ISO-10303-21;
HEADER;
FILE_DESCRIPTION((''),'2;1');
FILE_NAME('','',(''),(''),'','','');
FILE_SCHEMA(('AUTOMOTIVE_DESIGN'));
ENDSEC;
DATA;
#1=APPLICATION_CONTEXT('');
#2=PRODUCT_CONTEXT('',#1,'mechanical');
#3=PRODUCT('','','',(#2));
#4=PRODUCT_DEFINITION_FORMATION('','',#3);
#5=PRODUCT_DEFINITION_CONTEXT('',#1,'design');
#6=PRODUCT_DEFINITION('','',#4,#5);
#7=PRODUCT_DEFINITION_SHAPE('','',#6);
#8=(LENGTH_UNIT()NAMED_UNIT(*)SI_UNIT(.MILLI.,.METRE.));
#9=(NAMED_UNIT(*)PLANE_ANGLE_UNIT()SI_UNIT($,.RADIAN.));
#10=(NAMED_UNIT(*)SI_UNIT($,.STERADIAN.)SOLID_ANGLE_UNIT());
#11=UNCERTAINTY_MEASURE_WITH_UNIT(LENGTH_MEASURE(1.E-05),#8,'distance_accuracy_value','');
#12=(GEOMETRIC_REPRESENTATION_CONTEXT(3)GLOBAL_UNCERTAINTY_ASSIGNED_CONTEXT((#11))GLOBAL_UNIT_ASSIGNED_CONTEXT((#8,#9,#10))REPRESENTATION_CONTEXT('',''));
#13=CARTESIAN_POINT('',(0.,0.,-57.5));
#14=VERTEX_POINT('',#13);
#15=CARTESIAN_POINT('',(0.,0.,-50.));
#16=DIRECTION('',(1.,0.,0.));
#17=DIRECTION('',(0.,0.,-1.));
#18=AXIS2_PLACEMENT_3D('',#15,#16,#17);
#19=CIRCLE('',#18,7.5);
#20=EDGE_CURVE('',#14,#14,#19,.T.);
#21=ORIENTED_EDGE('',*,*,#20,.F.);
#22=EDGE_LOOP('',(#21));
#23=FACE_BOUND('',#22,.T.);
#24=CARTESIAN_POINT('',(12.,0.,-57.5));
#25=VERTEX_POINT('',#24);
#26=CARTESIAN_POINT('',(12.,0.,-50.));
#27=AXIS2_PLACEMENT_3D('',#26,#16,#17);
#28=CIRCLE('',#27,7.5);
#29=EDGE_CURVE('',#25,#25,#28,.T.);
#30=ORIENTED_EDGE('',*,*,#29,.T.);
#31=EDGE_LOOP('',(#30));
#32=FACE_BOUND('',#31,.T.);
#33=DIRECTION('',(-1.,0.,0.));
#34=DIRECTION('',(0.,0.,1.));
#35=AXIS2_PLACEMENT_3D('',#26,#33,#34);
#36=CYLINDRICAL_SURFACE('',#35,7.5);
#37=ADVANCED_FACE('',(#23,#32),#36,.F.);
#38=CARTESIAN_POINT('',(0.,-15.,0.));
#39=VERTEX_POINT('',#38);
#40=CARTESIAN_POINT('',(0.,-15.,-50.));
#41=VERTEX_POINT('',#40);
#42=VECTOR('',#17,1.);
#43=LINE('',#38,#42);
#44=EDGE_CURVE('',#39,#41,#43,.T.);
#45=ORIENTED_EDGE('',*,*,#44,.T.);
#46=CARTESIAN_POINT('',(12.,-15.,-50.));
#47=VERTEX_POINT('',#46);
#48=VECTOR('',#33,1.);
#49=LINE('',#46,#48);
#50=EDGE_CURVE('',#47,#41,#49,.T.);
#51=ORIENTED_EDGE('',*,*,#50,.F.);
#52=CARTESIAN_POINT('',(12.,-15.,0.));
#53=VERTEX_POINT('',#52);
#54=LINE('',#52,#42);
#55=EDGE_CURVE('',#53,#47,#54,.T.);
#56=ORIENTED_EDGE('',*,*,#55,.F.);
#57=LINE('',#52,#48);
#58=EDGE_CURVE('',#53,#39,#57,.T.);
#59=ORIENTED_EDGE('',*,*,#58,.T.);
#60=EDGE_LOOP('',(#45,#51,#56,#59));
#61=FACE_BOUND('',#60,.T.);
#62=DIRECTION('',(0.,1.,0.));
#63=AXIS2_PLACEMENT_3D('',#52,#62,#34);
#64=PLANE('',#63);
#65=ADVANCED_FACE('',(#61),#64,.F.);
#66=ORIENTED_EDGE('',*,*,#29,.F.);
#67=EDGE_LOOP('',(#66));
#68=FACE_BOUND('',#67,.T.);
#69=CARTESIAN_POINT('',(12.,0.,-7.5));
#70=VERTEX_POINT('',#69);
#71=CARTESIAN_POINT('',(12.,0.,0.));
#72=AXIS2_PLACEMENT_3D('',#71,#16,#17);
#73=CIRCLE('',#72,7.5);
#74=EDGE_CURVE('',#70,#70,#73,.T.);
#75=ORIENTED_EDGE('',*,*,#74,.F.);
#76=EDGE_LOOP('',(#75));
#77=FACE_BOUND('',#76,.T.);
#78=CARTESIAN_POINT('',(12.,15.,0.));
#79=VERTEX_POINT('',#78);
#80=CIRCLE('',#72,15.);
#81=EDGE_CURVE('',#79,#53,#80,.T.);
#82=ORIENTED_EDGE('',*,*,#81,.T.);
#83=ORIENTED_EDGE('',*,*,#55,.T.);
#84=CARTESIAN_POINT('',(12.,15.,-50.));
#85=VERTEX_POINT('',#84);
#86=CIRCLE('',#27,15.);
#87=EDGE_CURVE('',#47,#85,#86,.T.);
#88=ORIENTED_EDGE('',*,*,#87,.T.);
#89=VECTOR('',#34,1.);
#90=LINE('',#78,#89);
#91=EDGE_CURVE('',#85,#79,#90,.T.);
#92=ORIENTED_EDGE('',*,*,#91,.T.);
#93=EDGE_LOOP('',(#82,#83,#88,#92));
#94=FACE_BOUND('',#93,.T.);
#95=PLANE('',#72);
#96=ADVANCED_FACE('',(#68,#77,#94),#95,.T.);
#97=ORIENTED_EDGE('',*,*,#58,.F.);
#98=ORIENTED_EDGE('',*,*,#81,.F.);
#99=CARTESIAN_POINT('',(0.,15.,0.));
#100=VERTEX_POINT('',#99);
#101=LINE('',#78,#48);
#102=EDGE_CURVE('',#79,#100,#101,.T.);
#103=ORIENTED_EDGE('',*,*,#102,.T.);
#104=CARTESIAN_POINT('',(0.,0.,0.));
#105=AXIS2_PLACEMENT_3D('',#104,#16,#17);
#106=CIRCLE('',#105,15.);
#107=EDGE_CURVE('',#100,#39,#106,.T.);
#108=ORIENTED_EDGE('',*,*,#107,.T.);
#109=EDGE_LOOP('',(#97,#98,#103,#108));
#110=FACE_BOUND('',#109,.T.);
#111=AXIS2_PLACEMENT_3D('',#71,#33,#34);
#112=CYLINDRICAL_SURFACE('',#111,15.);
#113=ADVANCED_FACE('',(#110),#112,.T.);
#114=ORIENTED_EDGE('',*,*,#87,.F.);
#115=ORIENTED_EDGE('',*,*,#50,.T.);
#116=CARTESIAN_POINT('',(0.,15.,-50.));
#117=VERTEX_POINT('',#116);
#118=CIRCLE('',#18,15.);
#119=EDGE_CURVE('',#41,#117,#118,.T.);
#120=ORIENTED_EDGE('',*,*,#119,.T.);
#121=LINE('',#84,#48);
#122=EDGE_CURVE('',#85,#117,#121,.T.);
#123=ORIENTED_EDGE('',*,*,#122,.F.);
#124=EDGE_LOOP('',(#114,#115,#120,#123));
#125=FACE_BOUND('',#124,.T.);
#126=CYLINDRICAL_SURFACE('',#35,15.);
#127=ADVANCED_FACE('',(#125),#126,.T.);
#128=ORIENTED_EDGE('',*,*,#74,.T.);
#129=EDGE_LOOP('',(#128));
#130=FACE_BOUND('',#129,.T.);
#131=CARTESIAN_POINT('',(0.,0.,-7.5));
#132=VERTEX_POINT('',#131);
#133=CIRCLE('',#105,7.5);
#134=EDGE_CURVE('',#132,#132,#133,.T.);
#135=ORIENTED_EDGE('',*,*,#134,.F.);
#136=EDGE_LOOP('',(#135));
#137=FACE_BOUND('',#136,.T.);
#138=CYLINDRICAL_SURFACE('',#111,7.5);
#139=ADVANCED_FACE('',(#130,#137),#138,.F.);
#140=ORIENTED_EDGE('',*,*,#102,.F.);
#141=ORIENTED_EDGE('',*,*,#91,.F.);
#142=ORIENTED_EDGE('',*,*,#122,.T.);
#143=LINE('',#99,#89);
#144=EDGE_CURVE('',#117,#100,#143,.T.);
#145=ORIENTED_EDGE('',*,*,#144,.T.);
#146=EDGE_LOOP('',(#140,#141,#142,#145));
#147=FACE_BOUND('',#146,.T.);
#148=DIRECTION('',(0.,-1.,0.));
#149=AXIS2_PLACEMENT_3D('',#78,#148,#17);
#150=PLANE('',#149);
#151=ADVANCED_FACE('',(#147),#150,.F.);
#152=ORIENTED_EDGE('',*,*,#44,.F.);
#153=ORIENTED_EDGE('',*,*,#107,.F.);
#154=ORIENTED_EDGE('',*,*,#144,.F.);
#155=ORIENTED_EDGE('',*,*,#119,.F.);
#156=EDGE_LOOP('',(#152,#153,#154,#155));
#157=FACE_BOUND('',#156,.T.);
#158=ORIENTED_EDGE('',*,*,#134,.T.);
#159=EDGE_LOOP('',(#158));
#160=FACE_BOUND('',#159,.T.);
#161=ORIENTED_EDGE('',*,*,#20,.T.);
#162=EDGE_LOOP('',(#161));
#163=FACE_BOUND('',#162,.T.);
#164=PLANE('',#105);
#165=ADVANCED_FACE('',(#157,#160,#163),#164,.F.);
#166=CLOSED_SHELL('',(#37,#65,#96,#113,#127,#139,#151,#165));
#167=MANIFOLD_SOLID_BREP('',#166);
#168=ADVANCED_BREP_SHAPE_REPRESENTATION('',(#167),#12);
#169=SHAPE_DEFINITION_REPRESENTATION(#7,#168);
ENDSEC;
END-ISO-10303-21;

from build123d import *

# Parameters (mm, degrees)
CROQUIS1_R              = 7.5
SALIENTE_EXTRUIR1_DEPTH = 12


with BuildPart() as part:
    # Croquis1 → Saliente-Extruir1 (new body)
    with BuildSketch(Plane(origin=(0, 0, 0), x_dir=(0, 0, -1), z_dir=(1, 0, 0))):
        with BuildLine():
            Line((0, 15), (50, 15))
            ThreePointArc((50, 15), (65, 0), (50, -15))
            Line((50, -15), (0, -15))
            ThreePointArc((0, -15), (-15, 0), (0, 15))
        make_face()
        Circle(CROQUIS1_R, mode=Mode.SUBTRACT)
        with Locations((50, 0)):
            Circle(CROQUIS1_R, mode=Mode.SUBTRACT)
    extrude(amount=SALIENTE_EXTRUIR1_DEPTH)


solid = part.part
